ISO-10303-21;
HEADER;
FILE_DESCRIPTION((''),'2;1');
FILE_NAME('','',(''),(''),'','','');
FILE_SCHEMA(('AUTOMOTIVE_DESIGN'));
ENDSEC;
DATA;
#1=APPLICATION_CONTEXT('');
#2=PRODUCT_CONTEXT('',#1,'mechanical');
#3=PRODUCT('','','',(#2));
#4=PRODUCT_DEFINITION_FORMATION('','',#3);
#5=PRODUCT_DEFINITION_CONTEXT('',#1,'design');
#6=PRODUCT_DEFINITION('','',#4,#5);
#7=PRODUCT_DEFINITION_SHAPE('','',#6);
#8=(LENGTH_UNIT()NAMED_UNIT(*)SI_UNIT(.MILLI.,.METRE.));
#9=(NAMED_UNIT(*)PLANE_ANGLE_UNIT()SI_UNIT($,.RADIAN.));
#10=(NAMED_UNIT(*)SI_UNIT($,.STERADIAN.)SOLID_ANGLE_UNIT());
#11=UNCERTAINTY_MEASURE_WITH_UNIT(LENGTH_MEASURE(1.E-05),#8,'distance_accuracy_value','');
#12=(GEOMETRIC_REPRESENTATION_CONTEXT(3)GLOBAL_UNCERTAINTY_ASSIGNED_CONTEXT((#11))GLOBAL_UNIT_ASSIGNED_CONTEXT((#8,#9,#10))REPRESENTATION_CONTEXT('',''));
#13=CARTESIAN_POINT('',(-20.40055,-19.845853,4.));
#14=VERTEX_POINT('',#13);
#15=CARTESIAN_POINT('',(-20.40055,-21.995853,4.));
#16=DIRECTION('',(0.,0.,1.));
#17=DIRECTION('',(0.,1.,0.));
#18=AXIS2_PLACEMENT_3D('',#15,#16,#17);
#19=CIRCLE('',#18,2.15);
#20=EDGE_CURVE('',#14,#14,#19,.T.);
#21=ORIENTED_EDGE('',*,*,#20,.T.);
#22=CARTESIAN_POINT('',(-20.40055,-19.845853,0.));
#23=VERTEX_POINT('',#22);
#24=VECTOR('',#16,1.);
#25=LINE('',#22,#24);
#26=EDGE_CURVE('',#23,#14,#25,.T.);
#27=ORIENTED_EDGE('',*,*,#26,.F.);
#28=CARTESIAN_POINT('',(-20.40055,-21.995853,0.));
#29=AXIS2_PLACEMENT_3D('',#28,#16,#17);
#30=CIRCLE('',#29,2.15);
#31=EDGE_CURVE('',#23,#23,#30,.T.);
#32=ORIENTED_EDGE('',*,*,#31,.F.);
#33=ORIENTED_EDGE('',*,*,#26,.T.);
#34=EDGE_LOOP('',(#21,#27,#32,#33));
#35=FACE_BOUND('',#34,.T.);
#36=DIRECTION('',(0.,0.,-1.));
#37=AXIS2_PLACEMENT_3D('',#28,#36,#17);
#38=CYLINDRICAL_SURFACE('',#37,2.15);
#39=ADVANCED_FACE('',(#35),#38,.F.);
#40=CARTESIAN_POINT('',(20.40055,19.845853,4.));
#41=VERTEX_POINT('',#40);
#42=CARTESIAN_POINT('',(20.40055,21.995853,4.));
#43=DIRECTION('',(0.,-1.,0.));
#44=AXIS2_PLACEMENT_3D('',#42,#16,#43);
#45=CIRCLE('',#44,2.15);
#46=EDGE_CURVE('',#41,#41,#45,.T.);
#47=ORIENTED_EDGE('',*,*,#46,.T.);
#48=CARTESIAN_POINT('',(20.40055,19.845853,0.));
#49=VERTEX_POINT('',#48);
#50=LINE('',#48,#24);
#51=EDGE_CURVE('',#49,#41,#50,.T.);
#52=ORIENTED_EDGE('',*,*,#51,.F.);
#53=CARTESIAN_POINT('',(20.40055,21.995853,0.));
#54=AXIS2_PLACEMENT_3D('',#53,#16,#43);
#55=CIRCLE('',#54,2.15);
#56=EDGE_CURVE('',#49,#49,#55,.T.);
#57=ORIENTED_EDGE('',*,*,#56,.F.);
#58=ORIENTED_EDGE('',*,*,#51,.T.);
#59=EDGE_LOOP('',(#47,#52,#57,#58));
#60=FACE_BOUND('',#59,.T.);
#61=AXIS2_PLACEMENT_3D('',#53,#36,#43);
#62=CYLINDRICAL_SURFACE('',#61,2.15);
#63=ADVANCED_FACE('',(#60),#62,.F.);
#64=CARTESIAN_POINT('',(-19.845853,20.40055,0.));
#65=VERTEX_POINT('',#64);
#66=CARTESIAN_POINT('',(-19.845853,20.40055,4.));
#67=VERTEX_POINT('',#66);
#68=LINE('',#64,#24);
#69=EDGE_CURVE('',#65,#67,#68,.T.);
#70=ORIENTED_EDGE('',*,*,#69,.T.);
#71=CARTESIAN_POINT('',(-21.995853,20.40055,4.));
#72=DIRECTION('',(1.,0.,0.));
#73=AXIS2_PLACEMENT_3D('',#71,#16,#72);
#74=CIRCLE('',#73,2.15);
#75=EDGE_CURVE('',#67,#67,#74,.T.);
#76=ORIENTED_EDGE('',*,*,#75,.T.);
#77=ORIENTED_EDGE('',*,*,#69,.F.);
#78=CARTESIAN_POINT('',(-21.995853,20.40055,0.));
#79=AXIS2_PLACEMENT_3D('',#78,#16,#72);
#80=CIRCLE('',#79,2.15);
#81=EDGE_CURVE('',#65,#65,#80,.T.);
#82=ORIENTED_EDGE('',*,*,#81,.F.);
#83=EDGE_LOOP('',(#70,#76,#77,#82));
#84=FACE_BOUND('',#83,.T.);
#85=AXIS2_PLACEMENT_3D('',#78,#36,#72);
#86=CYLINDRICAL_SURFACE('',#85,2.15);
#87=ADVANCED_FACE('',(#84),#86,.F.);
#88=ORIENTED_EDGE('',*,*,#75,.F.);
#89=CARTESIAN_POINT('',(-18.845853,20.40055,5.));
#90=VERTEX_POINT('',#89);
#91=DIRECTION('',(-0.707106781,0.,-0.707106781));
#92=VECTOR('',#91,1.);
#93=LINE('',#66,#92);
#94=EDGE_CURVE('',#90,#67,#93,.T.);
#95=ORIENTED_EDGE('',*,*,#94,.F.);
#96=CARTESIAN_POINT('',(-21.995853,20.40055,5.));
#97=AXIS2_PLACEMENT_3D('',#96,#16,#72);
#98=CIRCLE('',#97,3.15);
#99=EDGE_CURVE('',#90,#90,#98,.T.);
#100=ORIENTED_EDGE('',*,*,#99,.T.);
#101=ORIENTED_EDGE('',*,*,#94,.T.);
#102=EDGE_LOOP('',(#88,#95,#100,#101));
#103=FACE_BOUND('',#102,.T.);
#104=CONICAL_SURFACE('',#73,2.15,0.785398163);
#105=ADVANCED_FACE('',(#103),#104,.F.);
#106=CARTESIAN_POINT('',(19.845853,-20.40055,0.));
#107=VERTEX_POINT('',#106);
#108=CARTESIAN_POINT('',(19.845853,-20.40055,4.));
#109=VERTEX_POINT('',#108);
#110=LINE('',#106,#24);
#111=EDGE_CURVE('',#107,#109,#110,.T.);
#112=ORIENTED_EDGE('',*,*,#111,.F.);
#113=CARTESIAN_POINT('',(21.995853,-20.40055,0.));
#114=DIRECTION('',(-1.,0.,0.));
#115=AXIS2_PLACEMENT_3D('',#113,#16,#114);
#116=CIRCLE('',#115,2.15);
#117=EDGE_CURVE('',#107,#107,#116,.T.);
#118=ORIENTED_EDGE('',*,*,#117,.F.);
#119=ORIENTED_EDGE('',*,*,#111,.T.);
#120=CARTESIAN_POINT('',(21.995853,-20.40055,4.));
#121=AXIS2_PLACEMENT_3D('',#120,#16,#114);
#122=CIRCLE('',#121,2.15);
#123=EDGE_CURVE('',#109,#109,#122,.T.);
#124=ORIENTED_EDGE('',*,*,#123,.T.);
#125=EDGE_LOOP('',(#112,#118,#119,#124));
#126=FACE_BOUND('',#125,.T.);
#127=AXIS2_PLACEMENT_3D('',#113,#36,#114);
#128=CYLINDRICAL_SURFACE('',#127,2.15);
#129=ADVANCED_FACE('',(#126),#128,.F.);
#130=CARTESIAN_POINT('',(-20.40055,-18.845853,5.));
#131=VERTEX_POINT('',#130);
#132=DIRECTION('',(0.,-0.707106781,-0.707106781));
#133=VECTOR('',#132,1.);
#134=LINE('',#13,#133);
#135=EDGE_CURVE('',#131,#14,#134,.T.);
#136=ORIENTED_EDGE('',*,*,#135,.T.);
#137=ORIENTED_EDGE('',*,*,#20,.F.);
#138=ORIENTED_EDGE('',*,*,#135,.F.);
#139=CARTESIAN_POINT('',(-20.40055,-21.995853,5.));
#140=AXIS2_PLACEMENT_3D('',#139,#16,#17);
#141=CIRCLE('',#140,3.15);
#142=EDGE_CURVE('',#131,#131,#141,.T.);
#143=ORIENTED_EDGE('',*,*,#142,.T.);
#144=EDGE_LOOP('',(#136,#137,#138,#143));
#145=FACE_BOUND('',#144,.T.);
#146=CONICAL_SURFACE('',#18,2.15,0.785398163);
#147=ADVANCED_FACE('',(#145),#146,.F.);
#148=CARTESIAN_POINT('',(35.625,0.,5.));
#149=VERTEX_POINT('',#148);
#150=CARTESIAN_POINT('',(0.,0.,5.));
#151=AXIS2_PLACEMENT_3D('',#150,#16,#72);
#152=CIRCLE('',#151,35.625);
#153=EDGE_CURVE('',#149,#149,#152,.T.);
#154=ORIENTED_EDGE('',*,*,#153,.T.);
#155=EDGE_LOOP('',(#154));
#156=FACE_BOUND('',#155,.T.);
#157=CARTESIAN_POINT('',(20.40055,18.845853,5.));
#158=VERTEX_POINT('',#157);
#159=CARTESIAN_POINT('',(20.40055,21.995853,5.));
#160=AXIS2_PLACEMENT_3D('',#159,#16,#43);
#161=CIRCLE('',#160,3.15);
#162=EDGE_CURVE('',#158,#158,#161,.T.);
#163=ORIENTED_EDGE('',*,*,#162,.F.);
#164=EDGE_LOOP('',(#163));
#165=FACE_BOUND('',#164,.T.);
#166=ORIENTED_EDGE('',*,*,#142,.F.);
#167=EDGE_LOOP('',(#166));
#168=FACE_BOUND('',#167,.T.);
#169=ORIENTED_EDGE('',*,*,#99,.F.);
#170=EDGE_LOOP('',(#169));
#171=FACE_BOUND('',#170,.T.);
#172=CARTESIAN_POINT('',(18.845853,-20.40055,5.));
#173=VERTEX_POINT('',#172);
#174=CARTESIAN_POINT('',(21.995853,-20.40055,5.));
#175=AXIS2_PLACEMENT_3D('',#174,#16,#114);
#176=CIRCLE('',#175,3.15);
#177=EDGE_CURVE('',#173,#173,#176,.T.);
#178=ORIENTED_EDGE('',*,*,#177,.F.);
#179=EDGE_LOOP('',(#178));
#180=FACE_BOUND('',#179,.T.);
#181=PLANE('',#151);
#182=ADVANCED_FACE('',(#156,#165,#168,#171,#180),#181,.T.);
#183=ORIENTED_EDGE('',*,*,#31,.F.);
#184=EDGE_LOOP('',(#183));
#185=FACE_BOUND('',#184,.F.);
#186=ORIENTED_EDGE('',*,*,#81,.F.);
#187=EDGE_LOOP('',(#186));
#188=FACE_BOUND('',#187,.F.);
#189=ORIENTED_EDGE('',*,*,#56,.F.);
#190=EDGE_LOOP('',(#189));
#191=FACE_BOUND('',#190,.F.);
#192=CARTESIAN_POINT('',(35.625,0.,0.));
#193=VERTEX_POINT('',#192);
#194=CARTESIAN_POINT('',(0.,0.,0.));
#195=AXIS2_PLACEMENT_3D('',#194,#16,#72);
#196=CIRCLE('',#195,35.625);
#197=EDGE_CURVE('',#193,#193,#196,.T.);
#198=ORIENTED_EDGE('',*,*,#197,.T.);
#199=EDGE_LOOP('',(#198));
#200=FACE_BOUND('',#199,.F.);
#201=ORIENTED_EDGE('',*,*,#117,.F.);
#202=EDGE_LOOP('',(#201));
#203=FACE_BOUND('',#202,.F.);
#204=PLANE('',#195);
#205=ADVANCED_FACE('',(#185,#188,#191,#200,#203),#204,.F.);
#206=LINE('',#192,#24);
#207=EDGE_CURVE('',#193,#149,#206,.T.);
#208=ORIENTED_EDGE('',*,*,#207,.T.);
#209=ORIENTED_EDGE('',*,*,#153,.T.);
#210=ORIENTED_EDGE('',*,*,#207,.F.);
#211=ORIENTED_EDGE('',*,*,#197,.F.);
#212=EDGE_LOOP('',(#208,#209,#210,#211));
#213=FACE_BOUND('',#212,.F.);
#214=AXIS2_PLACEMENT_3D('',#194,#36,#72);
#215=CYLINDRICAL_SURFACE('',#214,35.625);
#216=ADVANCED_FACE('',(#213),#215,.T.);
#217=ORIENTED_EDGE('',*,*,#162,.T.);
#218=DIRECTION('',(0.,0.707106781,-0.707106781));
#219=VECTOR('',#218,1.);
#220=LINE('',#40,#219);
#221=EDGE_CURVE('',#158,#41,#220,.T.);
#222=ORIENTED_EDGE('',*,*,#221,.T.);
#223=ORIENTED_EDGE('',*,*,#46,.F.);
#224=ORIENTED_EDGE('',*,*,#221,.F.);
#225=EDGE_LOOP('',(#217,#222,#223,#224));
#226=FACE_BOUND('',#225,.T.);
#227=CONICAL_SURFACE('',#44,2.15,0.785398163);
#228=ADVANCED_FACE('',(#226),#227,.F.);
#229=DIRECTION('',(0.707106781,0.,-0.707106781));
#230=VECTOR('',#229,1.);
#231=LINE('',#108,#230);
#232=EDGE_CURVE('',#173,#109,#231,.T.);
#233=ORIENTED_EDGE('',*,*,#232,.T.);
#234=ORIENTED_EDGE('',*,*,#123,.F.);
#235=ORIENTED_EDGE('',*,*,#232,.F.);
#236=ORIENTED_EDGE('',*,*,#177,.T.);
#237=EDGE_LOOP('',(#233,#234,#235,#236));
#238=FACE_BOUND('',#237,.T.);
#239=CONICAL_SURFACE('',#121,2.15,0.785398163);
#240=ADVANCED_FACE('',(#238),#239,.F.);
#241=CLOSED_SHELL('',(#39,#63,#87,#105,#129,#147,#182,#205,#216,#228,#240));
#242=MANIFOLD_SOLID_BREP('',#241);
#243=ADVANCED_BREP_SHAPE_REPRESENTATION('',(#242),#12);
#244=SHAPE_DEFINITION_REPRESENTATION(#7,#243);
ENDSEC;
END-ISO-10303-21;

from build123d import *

# Parameters (mm, degrees)
SKETCH_R           = 35.625
PAD_DEPTH          = 5
SKETCH001_R        = 2.15
POCKET_DEPTH       = 5
POLARPATTERN_COUNT = 4
CHAMFER_SIZE       = 1


with BuildPart() as part:
    # Sketch → Pad (new body)
    with BuildSketch(Plane.XY):
        Circle(SKETCH_R)
    extrude(amount=PAD_DEPTH)

    # Sketch001 → Pocket (cut)
    with BuildSketch(Plane.XY):
        with Locations((-21.995853, 20.40055)):
            Circle(SKETCH001_R)
    pocket = extrude(amount=POCKET_DEPTH, mode=Mode.SUBTRACT)

    # PolarPattern: Pocket ×4 about axis
    polarpattern_axis = Axis((0, 0, 0), (0, 0, 1))
    for i in range(1, POLARPATTERN_COUNT):
        add(pocket.rotate(polarpattern_axis, i * 360 / POLARPATTERN_COUNT), mode=Mode.SUBTRACT)

    # Chamfer
    chamfer_edges = [part.edges().sort_by_distance(p)[0] for p in [
        (24.145853, -20.40055, 5),
        (20.40055, 24.145853, 5),
        (-24.145853, 20.40055, 5),
        (-20.40055, -24.145853, 5),
    ]]
    chamfer(chamfer_edges, length=CHAMFER_SIZE)


solid = part.part
